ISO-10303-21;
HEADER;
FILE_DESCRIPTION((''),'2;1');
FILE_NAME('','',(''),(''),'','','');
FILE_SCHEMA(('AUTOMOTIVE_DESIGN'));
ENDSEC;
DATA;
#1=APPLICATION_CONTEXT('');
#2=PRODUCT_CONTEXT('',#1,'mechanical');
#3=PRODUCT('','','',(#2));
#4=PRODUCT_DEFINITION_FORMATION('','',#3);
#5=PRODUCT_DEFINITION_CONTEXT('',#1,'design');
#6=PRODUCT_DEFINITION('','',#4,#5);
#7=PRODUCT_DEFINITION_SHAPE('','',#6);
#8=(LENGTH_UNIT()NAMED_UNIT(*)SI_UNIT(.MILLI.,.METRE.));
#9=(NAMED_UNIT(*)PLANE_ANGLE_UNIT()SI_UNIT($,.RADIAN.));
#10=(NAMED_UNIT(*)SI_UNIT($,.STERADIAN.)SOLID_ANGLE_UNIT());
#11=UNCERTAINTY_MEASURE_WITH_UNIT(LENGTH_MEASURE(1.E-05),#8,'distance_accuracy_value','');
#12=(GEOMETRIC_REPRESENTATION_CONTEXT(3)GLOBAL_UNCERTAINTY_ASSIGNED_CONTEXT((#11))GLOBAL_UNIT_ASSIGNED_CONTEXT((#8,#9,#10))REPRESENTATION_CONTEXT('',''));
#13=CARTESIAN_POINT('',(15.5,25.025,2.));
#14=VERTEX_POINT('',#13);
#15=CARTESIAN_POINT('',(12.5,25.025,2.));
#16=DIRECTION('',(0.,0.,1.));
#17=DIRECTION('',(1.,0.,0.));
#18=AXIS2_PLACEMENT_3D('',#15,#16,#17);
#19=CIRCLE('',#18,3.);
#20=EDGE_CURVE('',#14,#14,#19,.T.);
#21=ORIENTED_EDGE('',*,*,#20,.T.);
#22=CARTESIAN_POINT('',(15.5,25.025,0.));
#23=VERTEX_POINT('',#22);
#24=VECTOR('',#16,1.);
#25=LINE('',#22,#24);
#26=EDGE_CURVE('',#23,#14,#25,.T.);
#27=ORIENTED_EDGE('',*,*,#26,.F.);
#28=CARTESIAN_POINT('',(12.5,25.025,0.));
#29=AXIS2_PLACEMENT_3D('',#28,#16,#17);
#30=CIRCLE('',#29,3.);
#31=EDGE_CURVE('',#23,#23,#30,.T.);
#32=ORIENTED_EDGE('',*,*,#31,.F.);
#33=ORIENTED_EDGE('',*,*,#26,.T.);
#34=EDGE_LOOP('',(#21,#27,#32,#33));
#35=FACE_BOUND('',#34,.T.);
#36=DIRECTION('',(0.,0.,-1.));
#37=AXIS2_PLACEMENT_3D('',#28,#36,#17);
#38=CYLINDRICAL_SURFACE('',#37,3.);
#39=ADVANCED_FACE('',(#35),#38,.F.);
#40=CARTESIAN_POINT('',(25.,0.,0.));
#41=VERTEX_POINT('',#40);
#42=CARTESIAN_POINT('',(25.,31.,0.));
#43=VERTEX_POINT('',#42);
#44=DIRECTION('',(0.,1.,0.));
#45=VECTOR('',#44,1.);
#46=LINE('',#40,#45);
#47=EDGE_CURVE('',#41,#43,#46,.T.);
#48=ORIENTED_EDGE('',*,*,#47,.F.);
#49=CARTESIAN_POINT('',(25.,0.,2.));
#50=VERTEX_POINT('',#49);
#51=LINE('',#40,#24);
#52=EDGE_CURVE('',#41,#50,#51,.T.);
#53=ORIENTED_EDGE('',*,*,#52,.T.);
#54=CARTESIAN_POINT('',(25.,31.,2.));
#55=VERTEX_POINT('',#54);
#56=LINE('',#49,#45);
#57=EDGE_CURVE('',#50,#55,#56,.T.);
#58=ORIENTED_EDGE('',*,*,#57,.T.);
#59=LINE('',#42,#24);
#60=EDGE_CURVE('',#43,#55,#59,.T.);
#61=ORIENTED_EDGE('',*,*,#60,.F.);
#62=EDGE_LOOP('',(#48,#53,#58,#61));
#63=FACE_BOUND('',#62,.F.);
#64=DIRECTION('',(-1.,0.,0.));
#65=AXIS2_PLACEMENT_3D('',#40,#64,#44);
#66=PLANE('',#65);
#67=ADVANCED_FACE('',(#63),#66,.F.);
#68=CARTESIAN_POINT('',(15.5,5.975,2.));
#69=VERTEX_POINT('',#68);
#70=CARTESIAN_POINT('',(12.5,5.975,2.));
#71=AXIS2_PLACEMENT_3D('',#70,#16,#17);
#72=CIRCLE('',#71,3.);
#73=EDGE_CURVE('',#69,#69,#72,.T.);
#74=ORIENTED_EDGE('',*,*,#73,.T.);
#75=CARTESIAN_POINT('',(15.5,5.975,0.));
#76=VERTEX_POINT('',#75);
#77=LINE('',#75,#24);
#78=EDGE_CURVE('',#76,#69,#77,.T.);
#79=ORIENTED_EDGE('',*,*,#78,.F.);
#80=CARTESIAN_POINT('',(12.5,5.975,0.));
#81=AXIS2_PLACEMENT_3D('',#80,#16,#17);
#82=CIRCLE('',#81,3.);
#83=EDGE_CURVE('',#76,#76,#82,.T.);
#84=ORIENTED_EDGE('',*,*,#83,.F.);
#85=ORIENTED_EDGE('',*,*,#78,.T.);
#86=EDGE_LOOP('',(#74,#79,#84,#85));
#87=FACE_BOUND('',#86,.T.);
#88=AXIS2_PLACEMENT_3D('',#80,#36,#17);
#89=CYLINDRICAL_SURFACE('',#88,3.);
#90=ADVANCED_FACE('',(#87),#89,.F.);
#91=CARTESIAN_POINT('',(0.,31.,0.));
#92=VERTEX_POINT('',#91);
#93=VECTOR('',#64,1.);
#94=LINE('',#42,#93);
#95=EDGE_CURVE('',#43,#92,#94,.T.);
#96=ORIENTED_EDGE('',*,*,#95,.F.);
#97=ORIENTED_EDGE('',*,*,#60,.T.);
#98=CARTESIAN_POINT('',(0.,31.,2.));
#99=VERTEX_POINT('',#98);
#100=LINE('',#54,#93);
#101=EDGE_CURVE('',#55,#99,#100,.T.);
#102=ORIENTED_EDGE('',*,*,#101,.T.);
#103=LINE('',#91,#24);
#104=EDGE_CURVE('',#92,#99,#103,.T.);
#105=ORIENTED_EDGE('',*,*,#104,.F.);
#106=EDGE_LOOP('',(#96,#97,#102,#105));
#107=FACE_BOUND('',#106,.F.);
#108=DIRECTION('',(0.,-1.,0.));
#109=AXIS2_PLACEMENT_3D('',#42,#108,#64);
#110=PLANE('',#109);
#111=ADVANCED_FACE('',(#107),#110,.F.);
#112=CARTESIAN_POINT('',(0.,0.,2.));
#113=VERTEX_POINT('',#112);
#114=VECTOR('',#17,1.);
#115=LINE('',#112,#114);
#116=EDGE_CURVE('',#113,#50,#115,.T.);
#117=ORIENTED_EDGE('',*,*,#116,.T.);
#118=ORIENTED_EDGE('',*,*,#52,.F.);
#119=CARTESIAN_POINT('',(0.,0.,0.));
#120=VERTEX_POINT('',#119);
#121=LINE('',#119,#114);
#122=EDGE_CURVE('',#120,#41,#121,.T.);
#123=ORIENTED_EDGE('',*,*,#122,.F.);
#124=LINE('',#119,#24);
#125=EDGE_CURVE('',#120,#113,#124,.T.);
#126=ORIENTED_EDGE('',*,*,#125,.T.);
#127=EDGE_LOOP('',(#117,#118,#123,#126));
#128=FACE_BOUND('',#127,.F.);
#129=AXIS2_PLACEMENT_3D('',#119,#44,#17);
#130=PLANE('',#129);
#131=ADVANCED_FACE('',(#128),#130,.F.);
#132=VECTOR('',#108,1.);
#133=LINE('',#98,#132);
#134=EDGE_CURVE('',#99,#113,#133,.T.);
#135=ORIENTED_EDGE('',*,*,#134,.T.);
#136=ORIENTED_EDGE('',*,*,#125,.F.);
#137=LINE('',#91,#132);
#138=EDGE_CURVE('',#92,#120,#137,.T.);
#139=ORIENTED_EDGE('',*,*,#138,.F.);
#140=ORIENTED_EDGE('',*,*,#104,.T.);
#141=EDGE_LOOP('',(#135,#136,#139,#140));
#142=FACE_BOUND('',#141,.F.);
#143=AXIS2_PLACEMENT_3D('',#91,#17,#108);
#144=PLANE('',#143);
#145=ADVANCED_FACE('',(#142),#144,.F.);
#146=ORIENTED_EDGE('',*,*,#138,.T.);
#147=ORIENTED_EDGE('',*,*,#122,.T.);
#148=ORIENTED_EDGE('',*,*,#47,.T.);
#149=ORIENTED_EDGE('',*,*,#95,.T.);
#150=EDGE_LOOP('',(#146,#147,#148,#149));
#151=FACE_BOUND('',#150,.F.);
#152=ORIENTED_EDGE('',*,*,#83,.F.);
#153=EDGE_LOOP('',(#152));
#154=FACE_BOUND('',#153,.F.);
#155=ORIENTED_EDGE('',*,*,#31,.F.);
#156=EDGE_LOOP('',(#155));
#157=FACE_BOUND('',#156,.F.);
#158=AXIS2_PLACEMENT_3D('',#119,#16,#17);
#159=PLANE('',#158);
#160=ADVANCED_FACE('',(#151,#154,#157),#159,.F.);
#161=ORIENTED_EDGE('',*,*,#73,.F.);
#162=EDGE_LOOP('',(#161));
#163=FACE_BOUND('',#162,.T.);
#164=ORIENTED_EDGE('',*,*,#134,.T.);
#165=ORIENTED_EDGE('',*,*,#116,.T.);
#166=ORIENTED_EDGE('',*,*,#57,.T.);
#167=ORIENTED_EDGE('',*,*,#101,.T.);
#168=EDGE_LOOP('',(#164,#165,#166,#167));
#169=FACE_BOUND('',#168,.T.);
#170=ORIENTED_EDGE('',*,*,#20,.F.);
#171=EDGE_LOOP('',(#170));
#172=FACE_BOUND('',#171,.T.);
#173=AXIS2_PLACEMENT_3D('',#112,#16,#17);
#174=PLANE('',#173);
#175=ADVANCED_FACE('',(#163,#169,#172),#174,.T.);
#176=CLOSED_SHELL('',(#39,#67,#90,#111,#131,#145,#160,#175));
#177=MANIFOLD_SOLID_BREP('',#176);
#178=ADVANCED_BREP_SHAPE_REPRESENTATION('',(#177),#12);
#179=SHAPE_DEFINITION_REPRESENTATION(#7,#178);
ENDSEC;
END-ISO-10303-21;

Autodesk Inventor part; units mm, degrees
ref_plane "YZ Plane" through (0, 0, 0) normal (1, 0, 0) x (0, 1, 0)
ref_plane "XZ Plane" through (0, 0, 0) normal (0, 1, 0) x (-1, 0, 0)
ref_plane "XY Plane" through (0, 0, 0) normal (0, 0, 1) x (1, 0, 0)
sketch "Sketch1" plane through (0, 0, 0) normal (0, 0, 1) x (1, 0, 0)
  line L0 (0, 0) -> (25, 0)
  line L1 (25, 0) -> (25, 31)
  line L2 (25, 31) -> (0, 31)
  line L3 (0, 31) -> (0, 0)
  line L4 (12.5, 31) -> (12.5, 0) construction
  line L5 (0, 15.5) -> (25, 15.5) construction
  circle A0 centre (12.5, 25.025) radius 3
  circle A1 centre (12.5, 5.975) radius 3
  dimension "d0" = 25
  dimension "d1" = 31
  dimension "d2" = 6
  dimension "d3" = 19.05
extrude "Extrusion1" add sketch "Sketch1" along normal blind 2
equation "\"d0\" = sw"
equation "\"d1\" = sh"
equation "\"d2\" = dia1"
equation "\"d3\" = lcsd"
equation "\"d4\" = spacert"
equation "\"lcsd\" = 19.05"
equation "\"lcwd1\" = 25"
equation "\"lcwd2\" = 34"
equation "\"lch1\" = 39"
equation "\"lcwd3\" = 43"
equation "\"dia1\" = 6"
equation "\"td\" = 18"
equation "\"bhh\" = 6"
equation "\"sw\" = 25"
equation "\"sh\" = 31"
equation "\"spacert\" = 2"
equation "\"pvct\" = 5"
equation "\"dia3\" = 8"
equation "\"dia4\" = 11"
equation "\"tankl\" = 379"
equation "\"play\" = 9"
equation "\"holeh\" = 26"
equation "\"surroundt\" = 5"
equation "\"slack\" = 0.5"
equation "\"play2\" = 3"
equation "\"diaoverflow\" = 25"
equation "\"diawater\" = 25"
equation "\"diacucl\" = 32"
equation "\"diaph\" = 32"
equation "\"diaair\" = 32"
equation "\"diasurroundhole\" = 42"
equation "\"diagrate\" = 12"
equation "\"gratespacing\" = 12.02082"
equation "\"bottomdist\" = 9.6355"
equation "\"sidedist\" = 13.9375"
equation "\"diahcl\" = 32"
equation "\"bracketwtop\" = 6"
equation "\"bracketwbottom\" = 6"
equation "\"nett\" = 1"
equation "\"nethole\" = 16"
equation "\"netside\" = 3.5"
equation "\"nettop\" = 7"
equation "\"netholespacing\" = 2"
equation "\"diaetape\" = 32"
properties part number "lc_spacer" material "Stainless Steel"
